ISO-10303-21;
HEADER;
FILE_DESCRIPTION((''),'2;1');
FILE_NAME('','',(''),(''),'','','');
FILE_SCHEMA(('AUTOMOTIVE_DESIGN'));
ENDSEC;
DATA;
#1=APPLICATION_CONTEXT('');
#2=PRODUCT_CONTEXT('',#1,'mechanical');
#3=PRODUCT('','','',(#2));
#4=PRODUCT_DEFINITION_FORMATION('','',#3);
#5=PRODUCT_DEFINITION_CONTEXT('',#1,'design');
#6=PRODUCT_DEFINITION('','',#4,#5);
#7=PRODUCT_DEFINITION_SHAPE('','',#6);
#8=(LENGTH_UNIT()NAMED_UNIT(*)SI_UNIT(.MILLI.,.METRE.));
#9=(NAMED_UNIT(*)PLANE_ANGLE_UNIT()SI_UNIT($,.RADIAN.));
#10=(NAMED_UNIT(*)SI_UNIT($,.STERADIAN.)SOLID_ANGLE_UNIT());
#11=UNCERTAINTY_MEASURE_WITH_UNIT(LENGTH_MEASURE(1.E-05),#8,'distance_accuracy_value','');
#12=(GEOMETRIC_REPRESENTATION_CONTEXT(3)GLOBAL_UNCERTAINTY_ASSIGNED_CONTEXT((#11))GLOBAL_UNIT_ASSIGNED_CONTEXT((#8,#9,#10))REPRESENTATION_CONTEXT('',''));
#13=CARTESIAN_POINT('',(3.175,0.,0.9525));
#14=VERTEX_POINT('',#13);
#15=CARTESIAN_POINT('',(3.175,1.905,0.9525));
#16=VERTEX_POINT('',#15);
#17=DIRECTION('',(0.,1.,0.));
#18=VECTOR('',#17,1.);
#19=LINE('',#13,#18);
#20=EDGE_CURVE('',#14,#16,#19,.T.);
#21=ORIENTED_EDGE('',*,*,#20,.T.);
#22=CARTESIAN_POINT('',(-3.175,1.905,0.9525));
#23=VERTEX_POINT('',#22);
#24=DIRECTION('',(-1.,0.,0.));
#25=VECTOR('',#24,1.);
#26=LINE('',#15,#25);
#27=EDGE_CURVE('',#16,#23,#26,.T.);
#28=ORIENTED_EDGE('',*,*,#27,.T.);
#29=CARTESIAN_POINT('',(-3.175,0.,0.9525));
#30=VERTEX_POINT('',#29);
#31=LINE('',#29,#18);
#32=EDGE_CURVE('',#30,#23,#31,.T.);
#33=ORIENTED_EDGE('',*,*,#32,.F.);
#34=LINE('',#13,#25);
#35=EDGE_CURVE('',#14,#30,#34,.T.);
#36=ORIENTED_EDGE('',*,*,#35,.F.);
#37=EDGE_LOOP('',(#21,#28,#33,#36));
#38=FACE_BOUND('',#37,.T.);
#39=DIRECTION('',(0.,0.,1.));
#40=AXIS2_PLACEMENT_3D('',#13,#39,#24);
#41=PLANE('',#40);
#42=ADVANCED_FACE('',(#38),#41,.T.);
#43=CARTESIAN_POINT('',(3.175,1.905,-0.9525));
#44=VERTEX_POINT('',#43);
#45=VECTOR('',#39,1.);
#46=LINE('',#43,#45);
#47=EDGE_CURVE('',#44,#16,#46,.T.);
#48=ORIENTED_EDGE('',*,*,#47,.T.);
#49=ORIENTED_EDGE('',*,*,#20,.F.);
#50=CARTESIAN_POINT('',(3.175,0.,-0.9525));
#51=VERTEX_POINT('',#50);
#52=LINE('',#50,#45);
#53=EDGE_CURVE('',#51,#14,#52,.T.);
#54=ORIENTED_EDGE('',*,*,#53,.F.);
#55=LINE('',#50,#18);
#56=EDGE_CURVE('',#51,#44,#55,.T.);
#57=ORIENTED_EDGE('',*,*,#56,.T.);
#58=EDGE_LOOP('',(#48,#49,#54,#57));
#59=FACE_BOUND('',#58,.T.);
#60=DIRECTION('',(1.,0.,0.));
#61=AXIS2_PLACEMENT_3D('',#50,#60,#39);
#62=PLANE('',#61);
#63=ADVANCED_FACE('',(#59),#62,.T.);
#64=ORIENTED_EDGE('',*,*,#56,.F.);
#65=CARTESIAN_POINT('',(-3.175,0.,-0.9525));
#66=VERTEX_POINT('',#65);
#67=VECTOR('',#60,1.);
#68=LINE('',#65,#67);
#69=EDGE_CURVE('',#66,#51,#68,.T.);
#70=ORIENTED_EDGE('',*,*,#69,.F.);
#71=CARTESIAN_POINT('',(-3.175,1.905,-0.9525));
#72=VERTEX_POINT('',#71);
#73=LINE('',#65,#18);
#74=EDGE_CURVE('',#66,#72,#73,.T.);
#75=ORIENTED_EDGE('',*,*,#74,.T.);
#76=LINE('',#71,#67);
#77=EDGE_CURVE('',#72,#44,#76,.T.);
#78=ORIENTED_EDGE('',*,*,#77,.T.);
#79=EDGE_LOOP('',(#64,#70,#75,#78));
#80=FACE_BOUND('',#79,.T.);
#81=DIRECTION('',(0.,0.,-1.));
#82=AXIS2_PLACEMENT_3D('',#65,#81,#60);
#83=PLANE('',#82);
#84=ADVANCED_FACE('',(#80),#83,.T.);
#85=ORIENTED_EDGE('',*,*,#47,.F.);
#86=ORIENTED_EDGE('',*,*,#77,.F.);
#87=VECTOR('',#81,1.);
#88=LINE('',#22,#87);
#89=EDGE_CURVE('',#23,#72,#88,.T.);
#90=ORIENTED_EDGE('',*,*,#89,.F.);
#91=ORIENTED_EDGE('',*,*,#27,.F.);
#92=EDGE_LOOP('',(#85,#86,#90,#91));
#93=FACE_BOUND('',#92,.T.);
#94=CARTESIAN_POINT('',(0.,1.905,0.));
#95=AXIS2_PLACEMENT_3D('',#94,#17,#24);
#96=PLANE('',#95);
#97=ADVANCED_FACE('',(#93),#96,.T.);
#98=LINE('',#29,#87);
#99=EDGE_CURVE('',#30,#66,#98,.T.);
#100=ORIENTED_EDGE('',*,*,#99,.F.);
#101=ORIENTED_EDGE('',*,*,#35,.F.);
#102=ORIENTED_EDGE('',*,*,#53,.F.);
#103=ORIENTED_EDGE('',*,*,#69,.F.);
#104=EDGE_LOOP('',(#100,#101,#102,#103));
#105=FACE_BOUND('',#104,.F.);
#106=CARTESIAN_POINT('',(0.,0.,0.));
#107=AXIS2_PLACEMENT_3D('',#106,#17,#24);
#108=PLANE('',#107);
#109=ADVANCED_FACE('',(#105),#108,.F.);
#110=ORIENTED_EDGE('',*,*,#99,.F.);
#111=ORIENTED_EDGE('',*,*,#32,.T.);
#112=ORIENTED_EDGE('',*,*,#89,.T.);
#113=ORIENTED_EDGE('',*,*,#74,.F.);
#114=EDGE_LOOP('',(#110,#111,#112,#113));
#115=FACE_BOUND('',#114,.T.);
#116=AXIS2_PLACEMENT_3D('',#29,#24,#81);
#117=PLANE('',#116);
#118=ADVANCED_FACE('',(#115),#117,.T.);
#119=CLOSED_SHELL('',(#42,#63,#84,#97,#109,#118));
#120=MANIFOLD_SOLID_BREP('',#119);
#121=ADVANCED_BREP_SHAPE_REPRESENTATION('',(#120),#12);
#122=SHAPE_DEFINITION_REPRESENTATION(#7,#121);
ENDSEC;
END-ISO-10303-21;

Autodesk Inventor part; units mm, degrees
ref_plane "YZ Plane" through (0, 0, 0) normal (1, 0, 0) x (0, 1, 0)
ref_plane "XZ Plane" through (0, 0, 0) normal (0, 1, 0) x (-1, 0, 0)
ref_plane "XY Plane" through (0, 0, 0) normal (0, 0, 1) x (1, 0, 0)
sketch "Sketch1" plane through (0, 0, 0) normal (0, 1, 0) x (-1, 0, 0)
  line L0 (-3.175, 0.9525) -> (3.175, 0.9525)
  line L1 (3.175, 0.9525) -> (3.175, -0.9525)
  line L2 (3.175, -0.9525) -> (-3.175, -0.9525)
  line L3 (-3.175, -0.9525) -> (-3.175, 0.9525)
  line L4 (-3.175, 0.9525) -> (3.175, -0.9525) construction
  line L5 (3.175, 0.9525) -> (-3.175, -0.9525) construction
  point P0 (0, 0)
  dimension "d0" = 6.35
  dimension "d1" = 1.905
extrude "Extrusion1" add sketch "Sketch1" along normal blind 1.905
properties part number "Ultrasonic Locking Pin_3DPrint"
